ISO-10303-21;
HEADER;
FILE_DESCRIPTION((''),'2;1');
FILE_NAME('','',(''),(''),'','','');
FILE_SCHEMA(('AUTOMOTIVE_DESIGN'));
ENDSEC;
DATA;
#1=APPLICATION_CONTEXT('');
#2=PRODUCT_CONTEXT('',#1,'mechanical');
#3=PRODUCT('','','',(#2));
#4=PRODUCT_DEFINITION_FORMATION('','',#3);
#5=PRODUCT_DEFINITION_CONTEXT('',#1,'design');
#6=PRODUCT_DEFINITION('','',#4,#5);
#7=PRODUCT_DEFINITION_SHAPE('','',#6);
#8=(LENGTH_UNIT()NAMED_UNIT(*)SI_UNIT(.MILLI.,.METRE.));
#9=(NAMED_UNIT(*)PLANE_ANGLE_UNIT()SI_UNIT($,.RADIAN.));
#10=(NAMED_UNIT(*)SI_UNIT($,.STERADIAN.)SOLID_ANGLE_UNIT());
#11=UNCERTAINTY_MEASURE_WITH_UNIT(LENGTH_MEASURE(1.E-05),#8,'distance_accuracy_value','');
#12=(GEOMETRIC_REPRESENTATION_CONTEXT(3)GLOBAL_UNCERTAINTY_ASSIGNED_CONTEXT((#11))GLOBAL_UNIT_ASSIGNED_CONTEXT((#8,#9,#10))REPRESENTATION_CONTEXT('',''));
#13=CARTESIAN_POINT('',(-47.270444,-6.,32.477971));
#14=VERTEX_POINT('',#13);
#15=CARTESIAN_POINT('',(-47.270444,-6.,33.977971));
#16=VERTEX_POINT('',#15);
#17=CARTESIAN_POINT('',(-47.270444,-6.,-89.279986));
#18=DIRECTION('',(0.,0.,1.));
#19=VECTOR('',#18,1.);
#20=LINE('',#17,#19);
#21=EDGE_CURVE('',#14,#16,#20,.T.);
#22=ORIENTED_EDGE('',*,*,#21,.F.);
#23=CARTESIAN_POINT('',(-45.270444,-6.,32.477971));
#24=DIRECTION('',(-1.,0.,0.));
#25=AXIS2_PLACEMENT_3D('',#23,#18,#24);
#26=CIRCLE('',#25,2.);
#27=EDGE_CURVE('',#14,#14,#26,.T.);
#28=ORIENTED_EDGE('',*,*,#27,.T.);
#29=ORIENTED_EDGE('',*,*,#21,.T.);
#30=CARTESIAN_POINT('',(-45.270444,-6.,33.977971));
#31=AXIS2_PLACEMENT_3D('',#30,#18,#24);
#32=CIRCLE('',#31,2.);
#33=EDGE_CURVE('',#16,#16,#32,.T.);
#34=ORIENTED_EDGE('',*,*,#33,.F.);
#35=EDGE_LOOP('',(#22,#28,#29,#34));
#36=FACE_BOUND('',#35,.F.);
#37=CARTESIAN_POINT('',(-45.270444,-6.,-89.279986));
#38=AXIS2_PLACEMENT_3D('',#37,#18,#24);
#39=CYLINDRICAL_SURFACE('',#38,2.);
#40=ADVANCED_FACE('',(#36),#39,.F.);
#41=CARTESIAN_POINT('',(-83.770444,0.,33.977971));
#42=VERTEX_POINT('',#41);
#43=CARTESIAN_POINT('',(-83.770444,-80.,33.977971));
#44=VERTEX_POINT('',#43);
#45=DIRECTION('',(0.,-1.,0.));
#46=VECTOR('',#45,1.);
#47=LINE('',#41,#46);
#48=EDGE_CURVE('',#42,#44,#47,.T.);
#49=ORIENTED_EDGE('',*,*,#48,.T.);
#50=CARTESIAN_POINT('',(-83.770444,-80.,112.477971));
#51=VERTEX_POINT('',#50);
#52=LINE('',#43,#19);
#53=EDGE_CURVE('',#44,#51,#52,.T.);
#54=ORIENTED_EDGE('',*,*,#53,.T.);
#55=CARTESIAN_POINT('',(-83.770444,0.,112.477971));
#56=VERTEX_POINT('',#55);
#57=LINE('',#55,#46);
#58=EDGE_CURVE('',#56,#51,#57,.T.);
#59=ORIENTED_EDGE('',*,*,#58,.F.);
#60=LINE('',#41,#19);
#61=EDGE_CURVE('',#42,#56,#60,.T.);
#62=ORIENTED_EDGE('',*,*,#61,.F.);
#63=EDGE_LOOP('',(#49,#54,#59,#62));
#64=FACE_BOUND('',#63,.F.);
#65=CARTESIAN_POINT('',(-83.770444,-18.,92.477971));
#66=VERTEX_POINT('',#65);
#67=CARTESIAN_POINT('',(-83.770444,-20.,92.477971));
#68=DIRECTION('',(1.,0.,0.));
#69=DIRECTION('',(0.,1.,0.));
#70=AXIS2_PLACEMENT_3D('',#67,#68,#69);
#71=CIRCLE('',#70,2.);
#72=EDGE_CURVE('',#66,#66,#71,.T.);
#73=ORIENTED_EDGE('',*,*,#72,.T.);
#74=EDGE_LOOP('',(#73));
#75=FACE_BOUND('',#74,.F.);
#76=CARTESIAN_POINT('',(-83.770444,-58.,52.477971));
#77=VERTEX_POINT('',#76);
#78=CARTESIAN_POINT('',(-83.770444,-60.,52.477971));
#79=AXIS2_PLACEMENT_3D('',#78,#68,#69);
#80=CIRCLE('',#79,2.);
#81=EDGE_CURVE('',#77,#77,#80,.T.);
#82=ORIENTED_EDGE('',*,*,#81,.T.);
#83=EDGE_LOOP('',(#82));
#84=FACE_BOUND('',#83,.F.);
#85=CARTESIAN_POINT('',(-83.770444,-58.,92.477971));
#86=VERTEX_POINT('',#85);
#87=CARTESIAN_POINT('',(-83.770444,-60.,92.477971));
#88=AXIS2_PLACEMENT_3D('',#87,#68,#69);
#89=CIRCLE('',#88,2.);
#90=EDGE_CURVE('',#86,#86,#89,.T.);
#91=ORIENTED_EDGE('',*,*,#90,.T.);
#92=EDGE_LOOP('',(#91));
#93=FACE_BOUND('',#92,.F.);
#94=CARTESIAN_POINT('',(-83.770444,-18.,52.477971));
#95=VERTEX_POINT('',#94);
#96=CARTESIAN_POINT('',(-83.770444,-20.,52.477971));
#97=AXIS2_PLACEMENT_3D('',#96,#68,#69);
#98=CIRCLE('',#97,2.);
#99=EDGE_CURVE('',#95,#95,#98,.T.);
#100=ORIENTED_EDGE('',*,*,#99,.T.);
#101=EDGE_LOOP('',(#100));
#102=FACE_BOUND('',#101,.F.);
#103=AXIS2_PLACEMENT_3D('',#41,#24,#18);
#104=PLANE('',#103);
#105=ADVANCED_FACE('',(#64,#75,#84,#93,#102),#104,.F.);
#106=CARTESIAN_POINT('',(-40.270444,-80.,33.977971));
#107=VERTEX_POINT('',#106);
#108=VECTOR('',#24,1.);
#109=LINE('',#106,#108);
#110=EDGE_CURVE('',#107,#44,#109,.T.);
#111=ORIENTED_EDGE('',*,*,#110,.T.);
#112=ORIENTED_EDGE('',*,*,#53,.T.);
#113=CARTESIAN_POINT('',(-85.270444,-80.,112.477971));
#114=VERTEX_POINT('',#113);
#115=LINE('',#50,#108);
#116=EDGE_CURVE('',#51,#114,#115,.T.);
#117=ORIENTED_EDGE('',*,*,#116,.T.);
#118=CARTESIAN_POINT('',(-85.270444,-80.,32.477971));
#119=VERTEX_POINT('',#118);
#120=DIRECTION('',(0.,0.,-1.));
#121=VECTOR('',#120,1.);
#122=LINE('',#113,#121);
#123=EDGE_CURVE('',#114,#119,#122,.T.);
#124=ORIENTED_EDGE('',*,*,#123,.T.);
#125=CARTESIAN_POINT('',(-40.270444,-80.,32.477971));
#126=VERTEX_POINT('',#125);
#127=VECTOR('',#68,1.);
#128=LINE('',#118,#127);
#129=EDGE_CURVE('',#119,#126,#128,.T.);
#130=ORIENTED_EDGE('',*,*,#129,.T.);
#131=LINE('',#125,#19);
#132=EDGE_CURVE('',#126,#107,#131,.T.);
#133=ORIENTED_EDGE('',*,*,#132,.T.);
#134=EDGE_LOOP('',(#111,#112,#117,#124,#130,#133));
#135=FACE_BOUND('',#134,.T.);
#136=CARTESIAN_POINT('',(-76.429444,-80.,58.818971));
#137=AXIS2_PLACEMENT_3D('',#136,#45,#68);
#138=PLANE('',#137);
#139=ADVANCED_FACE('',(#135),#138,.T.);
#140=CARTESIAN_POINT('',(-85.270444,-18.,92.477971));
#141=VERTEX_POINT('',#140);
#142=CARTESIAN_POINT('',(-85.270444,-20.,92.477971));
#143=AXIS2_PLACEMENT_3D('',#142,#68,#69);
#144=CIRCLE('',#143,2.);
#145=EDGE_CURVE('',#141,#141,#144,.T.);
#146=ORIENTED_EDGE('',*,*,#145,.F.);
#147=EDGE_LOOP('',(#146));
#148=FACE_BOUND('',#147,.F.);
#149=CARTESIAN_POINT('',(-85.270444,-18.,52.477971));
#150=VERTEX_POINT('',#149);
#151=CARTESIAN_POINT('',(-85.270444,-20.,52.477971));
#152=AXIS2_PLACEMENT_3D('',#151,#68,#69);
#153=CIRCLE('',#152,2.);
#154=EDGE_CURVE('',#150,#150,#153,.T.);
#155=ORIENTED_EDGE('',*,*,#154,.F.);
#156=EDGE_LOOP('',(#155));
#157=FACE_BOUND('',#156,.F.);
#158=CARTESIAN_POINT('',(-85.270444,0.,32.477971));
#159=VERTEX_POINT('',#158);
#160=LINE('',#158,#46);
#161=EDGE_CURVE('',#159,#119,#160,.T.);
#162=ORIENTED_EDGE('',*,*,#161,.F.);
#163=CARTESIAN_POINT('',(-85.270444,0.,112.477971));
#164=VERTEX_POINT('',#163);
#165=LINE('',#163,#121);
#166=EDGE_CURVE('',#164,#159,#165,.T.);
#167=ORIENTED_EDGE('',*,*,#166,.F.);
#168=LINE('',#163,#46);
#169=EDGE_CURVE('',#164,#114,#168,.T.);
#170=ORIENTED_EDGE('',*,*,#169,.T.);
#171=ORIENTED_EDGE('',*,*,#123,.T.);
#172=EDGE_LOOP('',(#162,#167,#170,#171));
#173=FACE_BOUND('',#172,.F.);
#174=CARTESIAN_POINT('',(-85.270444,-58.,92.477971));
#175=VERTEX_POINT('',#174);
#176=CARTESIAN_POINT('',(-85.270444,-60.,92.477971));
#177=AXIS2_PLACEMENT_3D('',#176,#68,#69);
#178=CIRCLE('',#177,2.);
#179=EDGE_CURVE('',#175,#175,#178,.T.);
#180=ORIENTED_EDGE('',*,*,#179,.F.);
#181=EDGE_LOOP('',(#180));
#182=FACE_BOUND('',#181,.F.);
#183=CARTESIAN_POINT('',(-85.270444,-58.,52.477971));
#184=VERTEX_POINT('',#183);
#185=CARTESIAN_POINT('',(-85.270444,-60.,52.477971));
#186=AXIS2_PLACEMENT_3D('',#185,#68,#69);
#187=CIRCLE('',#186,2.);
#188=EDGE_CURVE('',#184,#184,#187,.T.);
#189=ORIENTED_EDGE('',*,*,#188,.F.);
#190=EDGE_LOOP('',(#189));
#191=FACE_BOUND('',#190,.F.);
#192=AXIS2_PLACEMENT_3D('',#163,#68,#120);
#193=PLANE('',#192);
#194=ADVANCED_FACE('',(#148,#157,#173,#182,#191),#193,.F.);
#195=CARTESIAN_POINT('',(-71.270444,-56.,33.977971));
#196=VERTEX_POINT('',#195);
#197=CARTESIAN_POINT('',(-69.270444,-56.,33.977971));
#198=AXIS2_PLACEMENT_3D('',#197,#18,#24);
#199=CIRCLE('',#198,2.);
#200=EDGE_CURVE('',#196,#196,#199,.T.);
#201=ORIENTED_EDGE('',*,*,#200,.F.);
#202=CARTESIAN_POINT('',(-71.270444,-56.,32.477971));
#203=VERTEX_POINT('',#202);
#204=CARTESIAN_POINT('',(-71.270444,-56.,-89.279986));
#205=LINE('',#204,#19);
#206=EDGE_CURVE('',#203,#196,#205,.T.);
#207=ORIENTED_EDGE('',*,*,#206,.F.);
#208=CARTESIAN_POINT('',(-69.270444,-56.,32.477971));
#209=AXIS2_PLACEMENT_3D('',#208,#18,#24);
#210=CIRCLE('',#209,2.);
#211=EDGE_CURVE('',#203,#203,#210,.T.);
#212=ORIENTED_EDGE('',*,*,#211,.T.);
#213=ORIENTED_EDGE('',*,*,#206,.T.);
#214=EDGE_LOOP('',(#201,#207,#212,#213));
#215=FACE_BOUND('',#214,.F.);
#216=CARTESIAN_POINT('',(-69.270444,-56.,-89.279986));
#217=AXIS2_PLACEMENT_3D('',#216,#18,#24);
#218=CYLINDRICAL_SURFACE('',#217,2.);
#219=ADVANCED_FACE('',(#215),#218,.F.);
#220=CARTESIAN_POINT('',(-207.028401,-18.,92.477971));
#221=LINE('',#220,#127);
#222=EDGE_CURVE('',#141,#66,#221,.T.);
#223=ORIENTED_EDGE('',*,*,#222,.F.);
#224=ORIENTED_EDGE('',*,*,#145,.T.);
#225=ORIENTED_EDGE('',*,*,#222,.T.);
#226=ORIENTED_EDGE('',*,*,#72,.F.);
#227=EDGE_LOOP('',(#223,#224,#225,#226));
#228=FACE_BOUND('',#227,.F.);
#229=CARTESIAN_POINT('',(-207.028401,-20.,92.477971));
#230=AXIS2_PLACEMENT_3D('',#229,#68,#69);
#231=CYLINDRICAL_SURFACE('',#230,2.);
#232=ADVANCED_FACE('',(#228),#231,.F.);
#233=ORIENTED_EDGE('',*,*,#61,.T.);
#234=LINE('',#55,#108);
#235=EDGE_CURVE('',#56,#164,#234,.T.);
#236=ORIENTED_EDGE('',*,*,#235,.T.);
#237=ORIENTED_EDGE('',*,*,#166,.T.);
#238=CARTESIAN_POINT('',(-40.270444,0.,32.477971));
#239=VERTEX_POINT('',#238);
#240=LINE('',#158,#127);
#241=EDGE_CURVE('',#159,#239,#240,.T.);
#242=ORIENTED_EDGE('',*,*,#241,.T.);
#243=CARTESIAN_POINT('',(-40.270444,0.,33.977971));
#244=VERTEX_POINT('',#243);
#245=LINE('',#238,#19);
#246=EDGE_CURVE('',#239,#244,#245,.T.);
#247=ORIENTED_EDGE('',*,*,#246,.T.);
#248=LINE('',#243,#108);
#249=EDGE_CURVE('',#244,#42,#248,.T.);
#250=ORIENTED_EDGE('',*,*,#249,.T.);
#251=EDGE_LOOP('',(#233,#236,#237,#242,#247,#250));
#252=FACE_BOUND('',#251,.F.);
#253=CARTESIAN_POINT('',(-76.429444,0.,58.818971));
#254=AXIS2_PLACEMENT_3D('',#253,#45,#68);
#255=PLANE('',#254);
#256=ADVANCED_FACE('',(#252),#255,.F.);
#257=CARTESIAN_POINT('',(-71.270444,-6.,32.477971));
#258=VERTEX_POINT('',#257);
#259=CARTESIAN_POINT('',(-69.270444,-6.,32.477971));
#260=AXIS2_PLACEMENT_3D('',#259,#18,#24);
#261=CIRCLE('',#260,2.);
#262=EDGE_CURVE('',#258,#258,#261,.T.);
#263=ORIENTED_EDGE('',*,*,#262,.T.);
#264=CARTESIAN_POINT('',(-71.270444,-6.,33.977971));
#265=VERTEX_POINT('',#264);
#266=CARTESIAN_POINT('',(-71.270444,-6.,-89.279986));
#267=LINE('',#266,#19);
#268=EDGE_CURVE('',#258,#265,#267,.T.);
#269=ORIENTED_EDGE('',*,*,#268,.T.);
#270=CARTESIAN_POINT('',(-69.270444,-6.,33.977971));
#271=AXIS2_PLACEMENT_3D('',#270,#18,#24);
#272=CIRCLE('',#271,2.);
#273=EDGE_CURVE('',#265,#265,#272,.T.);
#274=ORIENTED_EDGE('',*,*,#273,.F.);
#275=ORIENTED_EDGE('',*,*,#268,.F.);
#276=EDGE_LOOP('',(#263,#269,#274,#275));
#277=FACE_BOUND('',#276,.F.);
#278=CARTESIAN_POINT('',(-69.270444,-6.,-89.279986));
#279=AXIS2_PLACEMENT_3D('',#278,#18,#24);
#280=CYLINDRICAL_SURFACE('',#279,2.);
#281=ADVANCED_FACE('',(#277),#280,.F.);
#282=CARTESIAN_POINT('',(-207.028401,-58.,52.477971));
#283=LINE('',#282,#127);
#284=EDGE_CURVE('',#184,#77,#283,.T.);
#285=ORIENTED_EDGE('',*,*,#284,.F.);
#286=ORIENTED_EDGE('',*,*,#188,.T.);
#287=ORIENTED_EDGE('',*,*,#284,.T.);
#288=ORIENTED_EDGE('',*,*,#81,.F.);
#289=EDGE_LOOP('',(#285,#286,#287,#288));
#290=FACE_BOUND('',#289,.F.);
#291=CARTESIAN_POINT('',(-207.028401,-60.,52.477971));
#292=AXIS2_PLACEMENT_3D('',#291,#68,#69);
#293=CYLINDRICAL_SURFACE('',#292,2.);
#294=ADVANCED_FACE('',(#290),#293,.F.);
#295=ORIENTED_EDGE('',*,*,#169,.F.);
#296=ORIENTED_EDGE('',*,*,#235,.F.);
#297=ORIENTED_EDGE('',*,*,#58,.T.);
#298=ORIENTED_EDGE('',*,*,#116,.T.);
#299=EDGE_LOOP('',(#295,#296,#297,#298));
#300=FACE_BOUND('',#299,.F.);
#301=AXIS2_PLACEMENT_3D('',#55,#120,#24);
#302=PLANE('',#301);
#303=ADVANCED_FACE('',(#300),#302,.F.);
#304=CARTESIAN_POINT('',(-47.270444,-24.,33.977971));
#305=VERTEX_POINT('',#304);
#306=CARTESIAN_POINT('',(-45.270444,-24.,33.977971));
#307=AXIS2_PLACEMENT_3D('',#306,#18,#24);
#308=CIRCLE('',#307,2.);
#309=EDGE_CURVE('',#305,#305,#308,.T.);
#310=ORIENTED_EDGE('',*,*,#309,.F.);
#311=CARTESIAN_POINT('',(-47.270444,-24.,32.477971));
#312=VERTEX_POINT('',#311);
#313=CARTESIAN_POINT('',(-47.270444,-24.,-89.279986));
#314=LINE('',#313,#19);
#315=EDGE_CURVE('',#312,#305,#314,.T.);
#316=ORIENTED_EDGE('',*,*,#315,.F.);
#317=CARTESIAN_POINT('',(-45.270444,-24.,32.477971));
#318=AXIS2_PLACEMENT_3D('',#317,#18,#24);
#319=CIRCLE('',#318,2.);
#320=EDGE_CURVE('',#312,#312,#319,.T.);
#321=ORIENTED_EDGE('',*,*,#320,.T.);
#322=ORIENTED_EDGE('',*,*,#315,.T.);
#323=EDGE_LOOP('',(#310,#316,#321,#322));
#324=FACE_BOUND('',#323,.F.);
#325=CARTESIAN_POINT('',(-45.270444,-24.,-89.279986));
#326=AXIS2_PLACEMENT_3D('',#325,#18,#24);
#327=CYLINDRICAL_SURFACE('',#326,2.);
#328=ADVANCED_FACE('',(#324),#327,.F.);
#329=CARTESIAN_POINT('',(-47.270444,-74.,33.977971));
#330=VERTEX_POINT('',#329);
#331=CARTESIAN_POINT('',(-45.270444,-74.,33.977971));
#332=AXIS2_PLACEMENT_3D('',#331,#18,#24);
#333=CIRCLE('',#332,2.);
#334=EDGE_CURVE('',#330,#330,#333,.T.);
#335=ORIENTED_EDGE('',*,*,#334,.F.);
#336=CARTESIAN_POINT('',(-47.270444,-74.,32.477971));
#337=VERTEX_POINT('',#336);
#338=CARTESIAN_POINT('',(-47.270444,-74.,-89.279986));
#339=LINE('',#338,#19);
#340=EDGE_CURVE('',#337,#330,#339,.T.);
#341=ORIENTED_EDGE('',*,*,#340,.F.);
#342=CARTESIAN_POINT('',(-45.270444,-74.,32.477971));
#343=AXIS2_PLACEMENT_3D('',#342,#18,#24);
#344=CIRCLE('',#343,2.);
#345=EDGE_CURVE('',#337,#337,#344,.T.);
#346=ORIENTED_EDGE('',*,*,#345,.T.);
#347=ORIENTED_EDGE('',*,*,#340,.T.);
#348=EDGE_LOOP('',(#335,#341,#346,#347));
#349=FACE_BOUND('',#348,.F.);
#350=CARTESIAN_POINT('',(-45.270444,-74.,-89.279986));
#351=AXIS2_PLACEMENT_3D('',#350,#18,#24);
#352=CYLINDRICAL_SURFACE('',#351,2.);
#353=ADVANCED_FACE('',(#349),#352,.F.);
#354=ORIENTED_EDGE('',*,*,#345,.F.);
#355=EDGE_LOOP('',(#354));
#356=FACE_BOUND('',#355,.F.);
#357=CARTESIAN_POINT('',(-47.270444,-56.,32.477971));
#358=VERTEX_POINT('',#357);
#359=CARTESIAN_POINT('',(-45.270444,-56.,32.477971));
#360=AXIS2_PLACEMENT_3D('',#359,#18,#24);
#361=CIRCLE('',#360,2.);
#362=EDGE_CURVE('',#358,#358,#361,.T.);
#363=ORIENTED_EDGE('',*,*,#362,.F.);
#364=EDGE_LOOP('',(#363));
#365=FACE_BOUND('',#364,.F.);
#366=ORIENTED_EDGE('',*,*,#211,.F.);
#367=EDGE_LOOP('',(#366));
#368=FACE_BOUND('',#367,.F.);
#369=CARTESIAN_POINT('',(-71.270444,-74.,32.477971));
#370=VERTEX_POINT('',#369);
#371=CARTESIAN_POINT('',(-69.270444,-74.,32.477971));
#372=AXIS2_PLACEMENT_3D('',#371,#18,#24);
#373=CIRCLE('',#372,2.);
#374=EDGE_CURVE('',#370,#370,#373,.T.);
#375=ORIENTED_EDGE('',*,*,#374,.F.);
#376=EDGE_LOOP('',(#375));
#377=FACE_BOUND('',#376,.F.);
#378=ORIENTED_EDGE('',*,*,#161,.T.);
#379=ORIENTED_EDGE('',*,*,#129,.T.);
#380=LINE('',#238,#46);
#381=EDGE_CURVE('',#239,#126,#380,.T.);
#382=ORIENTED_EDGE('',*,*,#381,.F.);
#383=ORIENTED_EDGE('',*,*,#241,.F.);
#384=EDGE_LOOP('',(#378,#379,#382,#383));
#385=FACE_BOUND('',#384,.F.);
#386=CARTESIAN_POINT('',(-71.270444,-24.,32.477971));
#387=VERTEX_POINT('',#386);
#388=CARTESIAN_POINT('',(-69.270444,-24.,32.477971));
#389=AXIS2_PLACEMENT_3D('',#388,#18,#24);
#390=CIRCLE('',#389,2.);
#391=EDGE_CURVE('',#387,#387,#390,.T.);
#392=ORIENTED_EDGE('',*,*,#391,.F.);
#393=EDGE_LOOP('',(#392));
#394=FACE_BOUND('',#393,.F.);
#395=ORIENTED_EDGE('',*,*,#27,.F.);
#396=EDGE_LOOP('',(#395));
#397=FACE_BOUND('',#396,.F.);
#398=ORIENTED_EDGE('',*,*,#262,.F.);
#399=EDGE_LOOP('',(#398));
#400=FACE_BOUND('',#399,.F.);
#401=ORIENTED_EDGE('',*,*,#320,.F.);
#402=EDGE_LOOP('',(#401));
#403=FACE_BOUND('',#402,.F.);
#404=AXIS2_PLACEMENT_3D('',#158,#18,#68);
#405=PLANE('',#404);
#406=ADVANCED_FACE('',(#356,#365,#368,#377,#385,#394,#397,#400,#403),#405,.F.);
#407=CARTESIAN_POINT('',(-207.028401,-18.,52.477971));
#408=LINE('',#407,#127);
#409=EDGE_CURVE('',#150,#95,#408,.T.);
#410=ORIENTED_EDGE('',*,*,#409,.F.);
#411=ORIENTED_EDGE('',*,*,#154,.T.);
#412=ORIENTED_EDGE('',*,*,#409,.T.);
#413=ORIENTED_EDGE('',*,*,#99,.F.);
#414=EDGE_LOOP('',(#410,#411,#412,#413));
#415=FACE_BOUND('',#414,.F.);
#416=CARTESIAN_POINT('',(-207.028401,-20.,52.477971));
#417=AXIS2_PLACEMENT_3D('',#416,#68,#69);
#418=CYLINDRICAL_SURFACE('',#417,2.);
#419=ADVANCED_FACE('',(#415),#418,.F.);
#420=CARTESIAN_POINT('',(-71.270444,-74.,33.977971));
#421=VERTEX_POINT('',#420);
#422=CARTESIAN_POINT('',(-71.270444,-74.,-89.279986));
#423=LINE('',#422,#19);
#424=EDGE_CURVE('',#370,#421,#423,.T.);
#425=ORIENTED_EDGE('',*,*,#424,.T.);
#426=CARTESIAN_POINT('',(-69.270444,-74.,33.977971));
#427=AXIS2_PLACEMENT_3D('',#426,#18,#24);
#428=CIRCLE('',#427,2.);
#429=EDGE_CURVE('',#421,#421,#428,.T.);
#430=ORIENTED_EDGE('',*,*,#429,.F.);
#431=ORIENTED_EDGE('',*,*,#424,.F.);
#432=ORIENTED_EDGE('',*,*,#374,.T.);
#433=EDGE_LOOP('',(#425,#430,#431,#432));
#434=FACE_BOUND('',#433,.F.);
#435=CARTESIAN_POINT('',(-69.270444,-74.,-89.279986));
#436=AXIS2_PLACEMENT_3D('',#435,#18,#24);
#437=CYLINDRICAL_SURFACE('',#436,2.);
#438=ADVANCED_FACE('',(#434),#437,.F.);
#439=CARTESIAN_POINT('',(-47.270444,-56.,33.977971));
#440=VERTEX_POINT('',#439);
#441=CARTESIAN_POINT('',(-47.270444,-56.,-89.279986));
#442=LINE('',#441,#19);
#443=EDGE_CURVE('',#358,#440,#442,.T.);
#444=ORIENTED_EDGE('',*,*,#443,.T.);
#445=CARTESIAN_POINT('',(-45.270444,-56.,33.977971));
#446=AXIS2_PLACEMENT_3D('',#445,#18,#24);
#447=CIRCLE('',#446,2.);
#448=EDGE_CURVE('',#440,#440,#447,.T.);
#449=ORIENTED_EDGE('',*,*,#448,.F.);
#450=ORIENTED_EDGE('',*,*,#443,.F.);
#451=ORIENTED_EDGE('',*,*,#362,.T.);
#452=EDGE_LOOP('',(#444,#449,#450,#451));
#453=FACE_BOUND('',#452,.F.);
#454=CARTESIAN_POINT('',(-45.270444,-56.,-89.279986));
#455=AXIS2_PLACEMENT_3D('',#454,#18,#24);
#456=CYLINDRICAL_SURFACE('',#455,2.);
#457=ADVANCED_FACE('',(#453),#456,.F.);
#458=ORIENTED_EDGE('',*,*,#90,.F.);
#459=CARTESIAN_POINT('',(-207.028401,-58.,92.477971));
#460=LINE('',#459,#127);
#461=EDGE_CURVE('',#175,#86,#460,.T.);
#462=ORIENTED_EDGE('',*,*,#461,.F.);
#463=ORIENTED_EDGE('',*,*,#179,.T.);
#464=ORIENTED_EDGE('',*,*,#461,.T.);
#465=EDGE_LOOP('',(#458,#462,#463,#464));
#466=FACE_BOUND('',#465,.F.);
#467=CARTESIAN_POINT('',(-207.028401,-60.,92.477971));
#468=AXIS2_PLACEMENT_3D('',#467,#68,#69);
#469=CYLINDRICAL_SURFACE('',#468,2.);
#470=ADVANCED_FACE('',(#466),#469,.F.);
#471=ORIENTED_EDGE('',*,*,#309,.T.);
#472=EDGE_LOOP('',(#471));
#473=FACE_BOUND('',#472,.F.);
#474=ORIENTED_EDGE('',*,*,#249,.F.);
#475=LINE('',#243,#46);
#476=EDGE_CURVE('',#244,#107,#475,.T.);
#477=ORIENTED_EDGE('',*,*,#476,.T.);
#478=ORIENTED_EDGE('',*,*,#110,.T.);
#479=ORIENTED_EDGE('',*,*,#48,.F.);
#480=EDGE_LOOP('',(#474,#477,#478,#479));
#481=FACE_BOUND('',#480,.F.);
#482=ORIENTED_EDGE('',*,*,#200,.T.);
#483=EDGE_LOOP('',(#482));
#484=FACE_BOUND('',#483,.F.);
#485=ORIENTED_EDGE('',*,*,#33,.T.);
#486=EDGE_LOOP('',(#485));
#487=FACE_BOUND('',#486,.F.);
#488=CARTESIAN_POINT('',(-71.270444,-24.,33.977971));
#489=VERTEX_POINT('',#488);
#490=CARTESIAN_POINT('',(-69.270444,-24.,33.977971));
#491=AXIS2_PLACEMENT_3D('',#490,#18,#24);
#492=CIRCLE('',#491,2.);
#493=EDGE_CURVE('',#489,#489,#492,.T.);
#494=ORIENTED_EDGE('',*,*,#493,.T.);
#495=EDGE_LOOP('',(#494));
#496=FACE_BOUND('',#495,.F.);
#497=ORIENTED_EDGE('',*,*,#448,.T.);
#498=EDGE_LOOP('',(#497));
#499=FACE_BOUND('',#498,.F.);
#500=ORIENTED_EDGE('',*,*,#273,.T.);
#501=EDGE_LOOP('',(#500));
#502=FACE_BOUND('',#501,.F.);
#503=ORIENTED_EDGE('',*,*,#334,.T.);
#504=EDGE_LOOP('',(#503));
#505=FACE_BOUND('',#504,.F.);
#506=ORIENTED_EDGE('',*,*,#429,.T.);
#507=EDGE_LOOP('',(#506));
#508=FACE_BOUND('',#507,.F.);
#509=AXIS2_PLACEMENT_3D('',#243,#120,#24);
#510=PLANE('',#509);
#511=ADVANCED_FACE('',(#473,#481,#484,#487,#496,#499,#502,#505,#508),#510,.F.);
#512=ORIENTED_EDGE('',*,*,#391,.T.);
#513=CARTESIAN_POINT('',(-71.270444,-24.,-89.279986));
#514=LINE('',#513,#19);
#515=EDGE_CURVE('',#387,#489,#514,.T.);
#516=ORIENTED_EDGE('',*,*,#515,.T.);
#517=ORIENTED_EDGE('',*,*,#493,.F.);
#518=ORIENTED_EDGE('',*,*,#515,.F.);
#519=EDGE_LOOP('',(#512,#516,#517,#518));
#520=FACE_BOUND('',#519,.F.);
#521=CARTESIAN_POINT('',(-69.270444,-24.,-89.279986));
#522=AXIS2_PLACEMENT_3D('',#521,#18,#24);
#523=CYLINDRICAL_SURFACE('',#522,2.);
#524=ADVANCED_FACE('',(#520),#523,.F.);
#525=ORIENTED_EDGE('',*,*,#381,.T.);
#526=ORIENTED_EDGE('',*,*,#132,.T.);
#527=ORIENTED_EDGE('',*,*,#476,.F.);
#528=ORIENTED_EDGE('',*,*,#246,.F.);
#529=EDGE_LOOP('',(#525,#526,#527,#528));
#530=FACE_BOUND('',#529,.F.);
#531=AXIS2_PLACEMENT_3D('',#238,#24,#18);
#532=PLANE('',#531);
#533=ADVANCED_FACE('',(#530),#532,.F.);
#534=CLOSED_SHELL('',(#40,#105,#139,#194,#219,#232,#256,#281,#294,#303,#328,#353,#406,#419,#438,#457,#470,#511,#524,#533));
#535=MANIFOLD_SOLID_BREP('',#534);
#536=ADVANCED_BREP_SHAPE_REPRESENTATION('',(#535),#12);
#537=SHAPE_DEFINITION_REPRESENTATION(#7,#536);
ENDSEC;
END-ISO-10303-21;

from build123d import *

# Parameters (mm, degrees)
F1_DEPTH = 80
F3_D     = 4
F5_D     = 4


with BuildPart() as f1:
    # F0 (on Front) → F1 (new body)
    with BuildSketch(Plane.XZ):
        Polygon((-83.770444, 112.477971), (-85.270444, 112.477971), (-85.270444, 32.477971), (-40.270444, 32.477971), (-40.270444, 33.977971), (-83.770444, 33.977971), align=None)
    extrude(amount=F1_DEPTH)

    # F3 (through all)
    with Locations(Plane(origin=(0, 0, 32.477971), x_dir=(1, 0, 0), z_dir=(0, 0, -1))):
        with Locations((-45.270444, 74), (-69.270444, 74), (-69.270444, 56), (-45.270444, 56), (-45.270444, 24), (-45.270444, 6), (-69.270444, 6), (-69.270444, 24)):
            Hole(F3_D / 2)

    # F5 (through all)
    with Locations(Plane(origin=(-85.270444, 0, 0), x_dir=(0, -1, 0), z_dir=(-1, 0, 0))):
        with Locations((20, 52.477971), (60, 52.477971), (60, 92.477971), (20, 92.477971)):
            Hole(F5_D / 2)


solid = f1.part
